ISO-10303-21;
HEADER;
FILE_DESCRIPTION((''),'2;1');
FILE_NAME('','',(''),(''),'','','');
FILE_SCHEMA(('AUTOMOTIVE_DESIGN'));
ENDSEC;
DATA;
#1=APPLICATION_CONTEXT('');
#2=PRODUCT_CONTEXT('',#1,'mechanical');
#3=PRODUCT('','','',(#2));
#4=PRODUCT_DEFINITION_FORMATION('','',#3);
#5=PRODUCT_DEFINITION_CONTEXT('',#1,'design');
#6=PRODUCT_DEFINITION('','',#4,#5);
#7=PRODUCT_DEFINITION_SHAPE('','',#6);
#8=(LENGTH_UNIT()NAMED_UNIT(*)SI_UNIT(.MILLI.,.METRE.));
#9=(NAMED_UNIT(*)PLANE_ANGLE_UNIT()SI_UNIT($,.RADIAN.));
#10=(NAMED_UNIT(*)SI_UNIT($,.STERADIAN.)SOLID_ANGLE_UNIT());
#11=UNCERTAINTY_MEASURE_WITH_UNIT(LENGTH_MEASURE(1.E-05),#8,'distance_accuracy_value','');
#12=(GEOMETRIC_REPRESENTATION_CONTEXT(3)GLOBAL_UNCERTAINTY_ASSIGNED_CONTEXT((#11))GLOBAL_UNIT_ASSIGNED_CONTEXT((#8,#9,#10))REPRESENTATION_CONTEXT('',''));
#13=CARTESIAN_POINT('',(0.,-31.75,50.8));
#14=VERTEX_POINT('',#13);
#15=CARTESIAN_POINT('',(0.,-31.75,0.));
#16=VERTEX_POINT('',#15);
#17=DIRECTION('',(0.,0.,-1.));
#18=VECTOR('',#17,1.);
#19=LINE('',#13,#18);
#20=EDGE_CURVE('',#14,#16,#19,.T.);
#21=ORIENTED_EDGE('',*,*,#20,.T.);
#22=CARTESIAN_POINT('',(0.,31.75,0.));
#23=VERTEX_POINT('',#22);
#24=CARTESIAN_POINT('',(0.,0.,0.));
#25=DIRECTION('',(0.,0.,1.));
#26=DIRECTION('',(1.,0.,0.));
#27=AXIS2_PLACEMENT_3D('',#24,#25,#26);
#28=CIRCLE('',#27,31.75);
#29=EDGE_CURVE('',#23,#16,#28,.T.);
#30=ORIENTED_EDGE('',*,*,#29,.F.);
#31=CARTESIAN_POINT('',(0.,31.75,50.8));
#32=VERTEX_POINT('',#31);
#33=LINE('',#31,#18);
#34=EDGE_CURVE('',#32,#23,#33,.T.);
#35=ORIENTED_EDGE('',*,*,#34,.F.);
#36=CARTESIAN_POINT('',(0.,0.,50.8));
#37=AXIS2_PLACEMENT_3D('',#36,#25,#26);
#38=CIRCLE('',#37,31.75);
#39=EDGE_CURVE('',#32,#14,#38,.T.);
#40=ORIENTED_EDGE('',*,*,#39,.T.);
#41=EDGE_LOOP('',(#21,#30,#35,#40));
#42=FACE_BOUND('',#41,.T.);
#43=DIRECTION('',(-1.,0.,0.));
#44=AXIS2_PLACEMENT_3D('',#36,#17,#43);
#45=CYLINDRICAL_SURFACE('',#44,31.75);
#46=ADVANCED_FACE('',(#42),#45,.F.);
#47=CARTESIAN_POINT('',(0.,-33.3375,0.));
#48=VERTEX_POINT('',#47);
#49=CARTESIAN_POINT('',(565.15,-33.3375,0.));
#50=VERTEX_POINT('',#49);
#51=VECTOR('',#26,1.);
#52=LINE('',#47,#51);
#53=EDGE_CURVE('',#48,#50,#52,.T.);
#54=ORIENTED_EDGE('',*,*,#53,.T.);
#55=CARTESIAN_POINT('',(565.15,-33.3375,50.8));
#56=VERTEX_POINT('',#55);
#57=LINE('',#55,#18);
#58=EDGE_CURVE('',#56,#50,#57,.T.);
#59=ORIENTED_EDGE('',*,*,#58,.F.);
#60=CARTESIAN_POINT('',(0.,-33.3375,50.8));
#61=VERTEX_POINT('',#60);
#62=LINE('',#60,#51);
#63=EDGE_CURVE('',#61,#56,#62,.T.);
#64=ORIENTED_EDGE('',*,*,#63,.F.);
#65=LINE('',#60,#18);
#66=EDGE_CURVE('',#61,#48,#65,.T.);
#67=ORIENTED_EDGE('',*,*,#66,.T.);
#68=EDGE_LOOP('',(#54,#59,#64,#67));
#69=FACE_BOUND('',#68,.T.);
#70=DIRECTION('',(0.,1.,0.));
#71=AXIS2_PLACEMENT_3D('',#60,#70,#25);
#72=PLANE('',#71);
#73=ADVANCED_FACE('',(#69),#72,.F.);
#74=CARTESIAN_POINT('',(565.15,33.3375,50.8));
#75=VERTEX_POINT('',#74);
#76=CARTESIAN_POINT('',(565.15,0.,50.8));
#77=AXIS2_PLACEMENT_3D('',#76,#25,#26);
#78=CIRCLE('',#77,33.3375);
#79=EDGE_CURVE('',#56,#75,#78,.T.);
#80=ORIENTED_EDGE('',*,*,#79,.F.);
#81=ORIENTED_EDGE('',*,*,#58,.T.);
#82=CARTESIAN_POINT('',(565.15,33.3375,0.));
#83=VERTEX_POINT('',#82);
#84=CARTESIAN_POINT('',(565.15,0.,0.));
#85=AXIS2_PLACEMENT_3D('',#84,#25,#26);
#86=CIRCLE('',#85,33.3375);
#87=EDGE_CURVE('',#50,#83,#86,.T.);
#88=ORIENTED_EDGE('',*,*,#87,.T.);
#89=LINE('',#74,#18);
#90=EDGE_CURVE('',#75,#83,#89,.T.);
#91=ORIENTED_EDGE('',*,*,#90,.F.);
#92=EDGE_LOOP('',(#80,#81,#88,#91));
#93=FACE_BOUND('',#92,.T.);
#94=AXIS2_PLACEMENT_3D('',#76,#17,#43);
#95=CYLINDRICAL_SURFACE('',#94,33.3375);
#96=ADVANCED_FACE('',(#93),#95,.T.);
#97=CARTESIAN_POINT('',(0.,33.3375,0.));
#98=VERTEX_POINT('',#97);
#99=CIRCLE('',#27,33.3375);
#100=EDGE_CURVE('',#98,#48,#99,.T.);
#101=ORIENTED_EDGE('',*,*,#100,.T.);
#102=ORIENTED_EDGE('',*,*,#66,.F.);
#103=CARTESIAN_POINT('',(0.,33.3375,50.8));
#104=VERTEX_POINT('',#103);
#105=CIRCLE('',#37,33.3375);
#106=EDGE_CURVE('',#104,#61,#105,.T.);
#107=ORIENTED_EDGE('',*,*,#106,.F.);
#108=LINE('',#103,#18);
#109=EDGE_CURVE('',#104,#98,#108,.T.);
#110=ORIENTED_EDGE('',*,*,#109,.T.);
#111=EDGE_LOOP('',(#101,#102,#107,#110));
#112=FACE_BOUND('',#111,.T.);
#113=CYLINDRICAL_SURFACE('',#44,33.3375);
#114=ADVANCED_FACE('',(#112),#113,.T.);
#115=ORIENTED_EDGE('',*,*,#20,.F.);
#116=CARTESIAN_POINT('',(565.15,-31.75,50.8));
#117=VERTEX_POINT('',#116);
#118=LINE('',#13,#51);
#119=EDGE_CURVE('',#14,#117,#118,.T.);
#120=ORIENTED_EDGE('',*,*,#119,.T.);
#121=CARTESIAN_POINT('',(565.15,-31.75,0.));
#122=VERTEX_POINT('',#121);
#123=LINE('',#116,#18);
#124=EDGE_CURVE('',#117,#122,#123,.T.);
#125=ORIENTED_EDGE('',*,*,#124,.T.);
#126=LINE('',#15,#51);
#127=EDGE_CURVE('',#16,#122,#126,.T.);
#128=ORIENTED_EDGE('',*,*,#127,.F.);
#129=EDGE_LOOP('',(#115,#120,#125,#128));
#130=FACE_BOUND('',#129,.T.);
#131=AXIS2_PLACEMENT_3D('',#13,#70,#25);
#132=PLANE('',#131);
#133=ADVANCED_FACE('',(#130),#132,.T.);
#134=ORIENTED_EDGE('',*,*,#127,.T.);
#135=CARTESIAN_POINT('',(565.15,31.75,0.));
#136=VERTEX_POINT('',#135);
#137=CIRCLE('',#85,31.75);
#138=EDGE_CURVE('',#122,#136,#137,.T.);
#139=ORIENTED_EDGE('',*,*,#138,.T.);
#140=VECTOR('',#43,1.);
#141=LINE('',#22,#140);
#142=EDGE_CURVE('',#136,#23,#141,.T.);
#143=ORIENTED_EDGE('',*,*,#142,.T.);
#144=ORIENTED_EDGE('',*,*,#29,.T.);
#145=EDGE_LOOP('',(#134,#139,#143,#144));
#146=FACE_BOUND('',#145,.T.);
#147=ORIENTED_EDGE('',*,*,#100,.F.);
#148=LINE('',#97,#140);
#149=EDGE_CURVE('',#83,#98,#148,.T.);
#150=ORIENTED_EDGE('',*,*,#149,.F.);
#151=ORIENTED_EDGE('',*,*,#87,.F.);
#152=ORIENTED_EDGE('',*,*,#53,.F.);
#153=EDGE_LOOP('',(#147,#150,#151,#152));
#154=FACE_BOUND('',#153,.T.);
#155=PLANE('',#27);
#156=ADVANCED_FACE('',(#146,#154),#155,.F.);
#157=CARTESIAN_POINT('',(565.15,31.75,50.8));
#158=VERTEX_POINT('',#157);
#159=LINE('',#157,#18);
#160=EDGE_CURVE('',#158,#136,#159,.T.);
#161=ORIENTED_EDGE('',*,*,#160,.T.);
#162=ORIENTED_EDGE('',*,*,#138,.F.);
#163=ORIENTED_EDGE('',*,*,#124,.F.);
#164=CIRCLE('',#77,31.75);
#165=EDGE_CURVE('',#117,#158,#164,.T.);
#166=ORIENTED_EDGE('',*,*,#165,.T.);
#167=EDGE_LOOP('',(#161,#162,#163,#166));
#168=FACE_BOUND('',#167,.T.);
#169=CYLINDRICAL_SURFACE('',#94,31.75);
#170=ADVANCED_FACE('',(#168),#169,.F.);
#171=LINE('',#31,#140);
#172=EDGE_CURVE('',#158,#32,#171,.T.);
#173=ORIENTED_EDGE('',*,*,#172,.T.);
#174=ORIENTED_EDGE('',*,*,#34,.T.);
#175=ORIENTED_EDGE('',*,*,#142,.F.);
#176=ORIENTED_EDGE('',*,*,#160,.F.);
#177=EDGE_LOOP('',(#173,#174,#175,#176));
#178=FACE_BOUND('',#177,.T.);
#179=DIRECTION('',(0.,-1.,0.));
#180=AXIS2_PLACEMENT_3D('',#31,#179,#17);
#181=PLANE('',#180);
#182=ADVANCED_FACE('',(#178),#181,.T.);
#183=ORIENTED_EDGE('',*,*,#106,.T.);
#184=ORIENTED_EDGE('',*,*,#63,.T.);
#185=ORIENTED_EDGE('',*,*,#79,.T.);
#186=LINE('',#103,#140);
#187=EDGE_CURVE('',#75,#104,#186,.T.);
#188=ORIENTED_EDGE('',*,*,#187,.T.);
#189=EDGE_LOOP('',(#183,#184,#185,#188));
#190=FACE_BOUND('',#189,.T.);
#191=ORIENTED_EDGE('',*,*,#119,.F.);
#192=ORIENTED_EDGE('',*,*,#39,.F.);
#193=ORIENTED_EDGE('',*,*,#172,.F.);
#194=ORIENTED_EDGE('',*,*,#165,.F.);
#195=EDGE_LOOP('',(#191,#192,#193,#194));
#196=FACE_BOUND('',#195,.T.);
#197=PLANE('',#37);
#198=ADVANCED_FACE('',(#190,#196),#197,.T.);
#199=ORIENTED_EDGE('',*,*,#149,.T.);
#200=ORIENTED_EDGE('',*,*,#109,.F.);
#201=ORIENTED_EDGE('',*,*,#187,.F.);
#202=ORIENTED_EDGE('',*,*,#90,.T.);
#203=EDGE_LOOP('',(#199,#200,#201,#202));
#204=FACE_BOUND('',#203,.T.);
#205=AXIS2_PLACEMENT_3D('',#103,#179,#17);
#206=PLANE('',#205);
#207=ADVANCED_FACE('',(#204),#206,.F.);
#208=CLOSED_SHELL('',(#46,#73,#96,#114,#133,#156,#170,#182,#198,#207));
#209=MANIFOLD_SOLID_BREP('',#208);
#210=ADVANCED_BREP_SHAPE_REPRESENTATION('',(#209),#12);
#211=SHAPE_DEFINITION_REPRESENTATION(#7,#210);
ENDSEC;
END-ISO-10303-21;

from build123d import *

# Parameters (mm, degrees)
BOSS_EXTRUDE1_DEPTH = 50.8


with BuildPart() as part:
    # Sketch1 → Boss-Extrude1 (new body)
    with BuildSketch(Plane.XY):
        with BuildLine():
            Line((0, 33.3375), (565.15, 33.3375))
            ThreePointArc((565.15, 33.3375), (598.4875, 0), (565.15, -33.3375))
            Line((565.15, -33.3375), (0, -33.3375))
            ThreePointArc((0, -33.3375), (-33.3375, 0), (0, 33.3375))
        make_face()
        with BuildLine():
            Line((0, 31.75), (565.15, 31.75))
            ThreePointArc((565.15, 31.75), (596.9, 0), (565.15, -31.75))
            Line((565.15, -31.75), (0, -31.75))
            ThreePointArc((0, -31.75), (-31.75, 0), (0, 31.75))
        make_face(mode=Mode.SUBTRACT)
    extrude(amount=BOSS_EXTRUDE1_DEPTH)


solid = part.part
